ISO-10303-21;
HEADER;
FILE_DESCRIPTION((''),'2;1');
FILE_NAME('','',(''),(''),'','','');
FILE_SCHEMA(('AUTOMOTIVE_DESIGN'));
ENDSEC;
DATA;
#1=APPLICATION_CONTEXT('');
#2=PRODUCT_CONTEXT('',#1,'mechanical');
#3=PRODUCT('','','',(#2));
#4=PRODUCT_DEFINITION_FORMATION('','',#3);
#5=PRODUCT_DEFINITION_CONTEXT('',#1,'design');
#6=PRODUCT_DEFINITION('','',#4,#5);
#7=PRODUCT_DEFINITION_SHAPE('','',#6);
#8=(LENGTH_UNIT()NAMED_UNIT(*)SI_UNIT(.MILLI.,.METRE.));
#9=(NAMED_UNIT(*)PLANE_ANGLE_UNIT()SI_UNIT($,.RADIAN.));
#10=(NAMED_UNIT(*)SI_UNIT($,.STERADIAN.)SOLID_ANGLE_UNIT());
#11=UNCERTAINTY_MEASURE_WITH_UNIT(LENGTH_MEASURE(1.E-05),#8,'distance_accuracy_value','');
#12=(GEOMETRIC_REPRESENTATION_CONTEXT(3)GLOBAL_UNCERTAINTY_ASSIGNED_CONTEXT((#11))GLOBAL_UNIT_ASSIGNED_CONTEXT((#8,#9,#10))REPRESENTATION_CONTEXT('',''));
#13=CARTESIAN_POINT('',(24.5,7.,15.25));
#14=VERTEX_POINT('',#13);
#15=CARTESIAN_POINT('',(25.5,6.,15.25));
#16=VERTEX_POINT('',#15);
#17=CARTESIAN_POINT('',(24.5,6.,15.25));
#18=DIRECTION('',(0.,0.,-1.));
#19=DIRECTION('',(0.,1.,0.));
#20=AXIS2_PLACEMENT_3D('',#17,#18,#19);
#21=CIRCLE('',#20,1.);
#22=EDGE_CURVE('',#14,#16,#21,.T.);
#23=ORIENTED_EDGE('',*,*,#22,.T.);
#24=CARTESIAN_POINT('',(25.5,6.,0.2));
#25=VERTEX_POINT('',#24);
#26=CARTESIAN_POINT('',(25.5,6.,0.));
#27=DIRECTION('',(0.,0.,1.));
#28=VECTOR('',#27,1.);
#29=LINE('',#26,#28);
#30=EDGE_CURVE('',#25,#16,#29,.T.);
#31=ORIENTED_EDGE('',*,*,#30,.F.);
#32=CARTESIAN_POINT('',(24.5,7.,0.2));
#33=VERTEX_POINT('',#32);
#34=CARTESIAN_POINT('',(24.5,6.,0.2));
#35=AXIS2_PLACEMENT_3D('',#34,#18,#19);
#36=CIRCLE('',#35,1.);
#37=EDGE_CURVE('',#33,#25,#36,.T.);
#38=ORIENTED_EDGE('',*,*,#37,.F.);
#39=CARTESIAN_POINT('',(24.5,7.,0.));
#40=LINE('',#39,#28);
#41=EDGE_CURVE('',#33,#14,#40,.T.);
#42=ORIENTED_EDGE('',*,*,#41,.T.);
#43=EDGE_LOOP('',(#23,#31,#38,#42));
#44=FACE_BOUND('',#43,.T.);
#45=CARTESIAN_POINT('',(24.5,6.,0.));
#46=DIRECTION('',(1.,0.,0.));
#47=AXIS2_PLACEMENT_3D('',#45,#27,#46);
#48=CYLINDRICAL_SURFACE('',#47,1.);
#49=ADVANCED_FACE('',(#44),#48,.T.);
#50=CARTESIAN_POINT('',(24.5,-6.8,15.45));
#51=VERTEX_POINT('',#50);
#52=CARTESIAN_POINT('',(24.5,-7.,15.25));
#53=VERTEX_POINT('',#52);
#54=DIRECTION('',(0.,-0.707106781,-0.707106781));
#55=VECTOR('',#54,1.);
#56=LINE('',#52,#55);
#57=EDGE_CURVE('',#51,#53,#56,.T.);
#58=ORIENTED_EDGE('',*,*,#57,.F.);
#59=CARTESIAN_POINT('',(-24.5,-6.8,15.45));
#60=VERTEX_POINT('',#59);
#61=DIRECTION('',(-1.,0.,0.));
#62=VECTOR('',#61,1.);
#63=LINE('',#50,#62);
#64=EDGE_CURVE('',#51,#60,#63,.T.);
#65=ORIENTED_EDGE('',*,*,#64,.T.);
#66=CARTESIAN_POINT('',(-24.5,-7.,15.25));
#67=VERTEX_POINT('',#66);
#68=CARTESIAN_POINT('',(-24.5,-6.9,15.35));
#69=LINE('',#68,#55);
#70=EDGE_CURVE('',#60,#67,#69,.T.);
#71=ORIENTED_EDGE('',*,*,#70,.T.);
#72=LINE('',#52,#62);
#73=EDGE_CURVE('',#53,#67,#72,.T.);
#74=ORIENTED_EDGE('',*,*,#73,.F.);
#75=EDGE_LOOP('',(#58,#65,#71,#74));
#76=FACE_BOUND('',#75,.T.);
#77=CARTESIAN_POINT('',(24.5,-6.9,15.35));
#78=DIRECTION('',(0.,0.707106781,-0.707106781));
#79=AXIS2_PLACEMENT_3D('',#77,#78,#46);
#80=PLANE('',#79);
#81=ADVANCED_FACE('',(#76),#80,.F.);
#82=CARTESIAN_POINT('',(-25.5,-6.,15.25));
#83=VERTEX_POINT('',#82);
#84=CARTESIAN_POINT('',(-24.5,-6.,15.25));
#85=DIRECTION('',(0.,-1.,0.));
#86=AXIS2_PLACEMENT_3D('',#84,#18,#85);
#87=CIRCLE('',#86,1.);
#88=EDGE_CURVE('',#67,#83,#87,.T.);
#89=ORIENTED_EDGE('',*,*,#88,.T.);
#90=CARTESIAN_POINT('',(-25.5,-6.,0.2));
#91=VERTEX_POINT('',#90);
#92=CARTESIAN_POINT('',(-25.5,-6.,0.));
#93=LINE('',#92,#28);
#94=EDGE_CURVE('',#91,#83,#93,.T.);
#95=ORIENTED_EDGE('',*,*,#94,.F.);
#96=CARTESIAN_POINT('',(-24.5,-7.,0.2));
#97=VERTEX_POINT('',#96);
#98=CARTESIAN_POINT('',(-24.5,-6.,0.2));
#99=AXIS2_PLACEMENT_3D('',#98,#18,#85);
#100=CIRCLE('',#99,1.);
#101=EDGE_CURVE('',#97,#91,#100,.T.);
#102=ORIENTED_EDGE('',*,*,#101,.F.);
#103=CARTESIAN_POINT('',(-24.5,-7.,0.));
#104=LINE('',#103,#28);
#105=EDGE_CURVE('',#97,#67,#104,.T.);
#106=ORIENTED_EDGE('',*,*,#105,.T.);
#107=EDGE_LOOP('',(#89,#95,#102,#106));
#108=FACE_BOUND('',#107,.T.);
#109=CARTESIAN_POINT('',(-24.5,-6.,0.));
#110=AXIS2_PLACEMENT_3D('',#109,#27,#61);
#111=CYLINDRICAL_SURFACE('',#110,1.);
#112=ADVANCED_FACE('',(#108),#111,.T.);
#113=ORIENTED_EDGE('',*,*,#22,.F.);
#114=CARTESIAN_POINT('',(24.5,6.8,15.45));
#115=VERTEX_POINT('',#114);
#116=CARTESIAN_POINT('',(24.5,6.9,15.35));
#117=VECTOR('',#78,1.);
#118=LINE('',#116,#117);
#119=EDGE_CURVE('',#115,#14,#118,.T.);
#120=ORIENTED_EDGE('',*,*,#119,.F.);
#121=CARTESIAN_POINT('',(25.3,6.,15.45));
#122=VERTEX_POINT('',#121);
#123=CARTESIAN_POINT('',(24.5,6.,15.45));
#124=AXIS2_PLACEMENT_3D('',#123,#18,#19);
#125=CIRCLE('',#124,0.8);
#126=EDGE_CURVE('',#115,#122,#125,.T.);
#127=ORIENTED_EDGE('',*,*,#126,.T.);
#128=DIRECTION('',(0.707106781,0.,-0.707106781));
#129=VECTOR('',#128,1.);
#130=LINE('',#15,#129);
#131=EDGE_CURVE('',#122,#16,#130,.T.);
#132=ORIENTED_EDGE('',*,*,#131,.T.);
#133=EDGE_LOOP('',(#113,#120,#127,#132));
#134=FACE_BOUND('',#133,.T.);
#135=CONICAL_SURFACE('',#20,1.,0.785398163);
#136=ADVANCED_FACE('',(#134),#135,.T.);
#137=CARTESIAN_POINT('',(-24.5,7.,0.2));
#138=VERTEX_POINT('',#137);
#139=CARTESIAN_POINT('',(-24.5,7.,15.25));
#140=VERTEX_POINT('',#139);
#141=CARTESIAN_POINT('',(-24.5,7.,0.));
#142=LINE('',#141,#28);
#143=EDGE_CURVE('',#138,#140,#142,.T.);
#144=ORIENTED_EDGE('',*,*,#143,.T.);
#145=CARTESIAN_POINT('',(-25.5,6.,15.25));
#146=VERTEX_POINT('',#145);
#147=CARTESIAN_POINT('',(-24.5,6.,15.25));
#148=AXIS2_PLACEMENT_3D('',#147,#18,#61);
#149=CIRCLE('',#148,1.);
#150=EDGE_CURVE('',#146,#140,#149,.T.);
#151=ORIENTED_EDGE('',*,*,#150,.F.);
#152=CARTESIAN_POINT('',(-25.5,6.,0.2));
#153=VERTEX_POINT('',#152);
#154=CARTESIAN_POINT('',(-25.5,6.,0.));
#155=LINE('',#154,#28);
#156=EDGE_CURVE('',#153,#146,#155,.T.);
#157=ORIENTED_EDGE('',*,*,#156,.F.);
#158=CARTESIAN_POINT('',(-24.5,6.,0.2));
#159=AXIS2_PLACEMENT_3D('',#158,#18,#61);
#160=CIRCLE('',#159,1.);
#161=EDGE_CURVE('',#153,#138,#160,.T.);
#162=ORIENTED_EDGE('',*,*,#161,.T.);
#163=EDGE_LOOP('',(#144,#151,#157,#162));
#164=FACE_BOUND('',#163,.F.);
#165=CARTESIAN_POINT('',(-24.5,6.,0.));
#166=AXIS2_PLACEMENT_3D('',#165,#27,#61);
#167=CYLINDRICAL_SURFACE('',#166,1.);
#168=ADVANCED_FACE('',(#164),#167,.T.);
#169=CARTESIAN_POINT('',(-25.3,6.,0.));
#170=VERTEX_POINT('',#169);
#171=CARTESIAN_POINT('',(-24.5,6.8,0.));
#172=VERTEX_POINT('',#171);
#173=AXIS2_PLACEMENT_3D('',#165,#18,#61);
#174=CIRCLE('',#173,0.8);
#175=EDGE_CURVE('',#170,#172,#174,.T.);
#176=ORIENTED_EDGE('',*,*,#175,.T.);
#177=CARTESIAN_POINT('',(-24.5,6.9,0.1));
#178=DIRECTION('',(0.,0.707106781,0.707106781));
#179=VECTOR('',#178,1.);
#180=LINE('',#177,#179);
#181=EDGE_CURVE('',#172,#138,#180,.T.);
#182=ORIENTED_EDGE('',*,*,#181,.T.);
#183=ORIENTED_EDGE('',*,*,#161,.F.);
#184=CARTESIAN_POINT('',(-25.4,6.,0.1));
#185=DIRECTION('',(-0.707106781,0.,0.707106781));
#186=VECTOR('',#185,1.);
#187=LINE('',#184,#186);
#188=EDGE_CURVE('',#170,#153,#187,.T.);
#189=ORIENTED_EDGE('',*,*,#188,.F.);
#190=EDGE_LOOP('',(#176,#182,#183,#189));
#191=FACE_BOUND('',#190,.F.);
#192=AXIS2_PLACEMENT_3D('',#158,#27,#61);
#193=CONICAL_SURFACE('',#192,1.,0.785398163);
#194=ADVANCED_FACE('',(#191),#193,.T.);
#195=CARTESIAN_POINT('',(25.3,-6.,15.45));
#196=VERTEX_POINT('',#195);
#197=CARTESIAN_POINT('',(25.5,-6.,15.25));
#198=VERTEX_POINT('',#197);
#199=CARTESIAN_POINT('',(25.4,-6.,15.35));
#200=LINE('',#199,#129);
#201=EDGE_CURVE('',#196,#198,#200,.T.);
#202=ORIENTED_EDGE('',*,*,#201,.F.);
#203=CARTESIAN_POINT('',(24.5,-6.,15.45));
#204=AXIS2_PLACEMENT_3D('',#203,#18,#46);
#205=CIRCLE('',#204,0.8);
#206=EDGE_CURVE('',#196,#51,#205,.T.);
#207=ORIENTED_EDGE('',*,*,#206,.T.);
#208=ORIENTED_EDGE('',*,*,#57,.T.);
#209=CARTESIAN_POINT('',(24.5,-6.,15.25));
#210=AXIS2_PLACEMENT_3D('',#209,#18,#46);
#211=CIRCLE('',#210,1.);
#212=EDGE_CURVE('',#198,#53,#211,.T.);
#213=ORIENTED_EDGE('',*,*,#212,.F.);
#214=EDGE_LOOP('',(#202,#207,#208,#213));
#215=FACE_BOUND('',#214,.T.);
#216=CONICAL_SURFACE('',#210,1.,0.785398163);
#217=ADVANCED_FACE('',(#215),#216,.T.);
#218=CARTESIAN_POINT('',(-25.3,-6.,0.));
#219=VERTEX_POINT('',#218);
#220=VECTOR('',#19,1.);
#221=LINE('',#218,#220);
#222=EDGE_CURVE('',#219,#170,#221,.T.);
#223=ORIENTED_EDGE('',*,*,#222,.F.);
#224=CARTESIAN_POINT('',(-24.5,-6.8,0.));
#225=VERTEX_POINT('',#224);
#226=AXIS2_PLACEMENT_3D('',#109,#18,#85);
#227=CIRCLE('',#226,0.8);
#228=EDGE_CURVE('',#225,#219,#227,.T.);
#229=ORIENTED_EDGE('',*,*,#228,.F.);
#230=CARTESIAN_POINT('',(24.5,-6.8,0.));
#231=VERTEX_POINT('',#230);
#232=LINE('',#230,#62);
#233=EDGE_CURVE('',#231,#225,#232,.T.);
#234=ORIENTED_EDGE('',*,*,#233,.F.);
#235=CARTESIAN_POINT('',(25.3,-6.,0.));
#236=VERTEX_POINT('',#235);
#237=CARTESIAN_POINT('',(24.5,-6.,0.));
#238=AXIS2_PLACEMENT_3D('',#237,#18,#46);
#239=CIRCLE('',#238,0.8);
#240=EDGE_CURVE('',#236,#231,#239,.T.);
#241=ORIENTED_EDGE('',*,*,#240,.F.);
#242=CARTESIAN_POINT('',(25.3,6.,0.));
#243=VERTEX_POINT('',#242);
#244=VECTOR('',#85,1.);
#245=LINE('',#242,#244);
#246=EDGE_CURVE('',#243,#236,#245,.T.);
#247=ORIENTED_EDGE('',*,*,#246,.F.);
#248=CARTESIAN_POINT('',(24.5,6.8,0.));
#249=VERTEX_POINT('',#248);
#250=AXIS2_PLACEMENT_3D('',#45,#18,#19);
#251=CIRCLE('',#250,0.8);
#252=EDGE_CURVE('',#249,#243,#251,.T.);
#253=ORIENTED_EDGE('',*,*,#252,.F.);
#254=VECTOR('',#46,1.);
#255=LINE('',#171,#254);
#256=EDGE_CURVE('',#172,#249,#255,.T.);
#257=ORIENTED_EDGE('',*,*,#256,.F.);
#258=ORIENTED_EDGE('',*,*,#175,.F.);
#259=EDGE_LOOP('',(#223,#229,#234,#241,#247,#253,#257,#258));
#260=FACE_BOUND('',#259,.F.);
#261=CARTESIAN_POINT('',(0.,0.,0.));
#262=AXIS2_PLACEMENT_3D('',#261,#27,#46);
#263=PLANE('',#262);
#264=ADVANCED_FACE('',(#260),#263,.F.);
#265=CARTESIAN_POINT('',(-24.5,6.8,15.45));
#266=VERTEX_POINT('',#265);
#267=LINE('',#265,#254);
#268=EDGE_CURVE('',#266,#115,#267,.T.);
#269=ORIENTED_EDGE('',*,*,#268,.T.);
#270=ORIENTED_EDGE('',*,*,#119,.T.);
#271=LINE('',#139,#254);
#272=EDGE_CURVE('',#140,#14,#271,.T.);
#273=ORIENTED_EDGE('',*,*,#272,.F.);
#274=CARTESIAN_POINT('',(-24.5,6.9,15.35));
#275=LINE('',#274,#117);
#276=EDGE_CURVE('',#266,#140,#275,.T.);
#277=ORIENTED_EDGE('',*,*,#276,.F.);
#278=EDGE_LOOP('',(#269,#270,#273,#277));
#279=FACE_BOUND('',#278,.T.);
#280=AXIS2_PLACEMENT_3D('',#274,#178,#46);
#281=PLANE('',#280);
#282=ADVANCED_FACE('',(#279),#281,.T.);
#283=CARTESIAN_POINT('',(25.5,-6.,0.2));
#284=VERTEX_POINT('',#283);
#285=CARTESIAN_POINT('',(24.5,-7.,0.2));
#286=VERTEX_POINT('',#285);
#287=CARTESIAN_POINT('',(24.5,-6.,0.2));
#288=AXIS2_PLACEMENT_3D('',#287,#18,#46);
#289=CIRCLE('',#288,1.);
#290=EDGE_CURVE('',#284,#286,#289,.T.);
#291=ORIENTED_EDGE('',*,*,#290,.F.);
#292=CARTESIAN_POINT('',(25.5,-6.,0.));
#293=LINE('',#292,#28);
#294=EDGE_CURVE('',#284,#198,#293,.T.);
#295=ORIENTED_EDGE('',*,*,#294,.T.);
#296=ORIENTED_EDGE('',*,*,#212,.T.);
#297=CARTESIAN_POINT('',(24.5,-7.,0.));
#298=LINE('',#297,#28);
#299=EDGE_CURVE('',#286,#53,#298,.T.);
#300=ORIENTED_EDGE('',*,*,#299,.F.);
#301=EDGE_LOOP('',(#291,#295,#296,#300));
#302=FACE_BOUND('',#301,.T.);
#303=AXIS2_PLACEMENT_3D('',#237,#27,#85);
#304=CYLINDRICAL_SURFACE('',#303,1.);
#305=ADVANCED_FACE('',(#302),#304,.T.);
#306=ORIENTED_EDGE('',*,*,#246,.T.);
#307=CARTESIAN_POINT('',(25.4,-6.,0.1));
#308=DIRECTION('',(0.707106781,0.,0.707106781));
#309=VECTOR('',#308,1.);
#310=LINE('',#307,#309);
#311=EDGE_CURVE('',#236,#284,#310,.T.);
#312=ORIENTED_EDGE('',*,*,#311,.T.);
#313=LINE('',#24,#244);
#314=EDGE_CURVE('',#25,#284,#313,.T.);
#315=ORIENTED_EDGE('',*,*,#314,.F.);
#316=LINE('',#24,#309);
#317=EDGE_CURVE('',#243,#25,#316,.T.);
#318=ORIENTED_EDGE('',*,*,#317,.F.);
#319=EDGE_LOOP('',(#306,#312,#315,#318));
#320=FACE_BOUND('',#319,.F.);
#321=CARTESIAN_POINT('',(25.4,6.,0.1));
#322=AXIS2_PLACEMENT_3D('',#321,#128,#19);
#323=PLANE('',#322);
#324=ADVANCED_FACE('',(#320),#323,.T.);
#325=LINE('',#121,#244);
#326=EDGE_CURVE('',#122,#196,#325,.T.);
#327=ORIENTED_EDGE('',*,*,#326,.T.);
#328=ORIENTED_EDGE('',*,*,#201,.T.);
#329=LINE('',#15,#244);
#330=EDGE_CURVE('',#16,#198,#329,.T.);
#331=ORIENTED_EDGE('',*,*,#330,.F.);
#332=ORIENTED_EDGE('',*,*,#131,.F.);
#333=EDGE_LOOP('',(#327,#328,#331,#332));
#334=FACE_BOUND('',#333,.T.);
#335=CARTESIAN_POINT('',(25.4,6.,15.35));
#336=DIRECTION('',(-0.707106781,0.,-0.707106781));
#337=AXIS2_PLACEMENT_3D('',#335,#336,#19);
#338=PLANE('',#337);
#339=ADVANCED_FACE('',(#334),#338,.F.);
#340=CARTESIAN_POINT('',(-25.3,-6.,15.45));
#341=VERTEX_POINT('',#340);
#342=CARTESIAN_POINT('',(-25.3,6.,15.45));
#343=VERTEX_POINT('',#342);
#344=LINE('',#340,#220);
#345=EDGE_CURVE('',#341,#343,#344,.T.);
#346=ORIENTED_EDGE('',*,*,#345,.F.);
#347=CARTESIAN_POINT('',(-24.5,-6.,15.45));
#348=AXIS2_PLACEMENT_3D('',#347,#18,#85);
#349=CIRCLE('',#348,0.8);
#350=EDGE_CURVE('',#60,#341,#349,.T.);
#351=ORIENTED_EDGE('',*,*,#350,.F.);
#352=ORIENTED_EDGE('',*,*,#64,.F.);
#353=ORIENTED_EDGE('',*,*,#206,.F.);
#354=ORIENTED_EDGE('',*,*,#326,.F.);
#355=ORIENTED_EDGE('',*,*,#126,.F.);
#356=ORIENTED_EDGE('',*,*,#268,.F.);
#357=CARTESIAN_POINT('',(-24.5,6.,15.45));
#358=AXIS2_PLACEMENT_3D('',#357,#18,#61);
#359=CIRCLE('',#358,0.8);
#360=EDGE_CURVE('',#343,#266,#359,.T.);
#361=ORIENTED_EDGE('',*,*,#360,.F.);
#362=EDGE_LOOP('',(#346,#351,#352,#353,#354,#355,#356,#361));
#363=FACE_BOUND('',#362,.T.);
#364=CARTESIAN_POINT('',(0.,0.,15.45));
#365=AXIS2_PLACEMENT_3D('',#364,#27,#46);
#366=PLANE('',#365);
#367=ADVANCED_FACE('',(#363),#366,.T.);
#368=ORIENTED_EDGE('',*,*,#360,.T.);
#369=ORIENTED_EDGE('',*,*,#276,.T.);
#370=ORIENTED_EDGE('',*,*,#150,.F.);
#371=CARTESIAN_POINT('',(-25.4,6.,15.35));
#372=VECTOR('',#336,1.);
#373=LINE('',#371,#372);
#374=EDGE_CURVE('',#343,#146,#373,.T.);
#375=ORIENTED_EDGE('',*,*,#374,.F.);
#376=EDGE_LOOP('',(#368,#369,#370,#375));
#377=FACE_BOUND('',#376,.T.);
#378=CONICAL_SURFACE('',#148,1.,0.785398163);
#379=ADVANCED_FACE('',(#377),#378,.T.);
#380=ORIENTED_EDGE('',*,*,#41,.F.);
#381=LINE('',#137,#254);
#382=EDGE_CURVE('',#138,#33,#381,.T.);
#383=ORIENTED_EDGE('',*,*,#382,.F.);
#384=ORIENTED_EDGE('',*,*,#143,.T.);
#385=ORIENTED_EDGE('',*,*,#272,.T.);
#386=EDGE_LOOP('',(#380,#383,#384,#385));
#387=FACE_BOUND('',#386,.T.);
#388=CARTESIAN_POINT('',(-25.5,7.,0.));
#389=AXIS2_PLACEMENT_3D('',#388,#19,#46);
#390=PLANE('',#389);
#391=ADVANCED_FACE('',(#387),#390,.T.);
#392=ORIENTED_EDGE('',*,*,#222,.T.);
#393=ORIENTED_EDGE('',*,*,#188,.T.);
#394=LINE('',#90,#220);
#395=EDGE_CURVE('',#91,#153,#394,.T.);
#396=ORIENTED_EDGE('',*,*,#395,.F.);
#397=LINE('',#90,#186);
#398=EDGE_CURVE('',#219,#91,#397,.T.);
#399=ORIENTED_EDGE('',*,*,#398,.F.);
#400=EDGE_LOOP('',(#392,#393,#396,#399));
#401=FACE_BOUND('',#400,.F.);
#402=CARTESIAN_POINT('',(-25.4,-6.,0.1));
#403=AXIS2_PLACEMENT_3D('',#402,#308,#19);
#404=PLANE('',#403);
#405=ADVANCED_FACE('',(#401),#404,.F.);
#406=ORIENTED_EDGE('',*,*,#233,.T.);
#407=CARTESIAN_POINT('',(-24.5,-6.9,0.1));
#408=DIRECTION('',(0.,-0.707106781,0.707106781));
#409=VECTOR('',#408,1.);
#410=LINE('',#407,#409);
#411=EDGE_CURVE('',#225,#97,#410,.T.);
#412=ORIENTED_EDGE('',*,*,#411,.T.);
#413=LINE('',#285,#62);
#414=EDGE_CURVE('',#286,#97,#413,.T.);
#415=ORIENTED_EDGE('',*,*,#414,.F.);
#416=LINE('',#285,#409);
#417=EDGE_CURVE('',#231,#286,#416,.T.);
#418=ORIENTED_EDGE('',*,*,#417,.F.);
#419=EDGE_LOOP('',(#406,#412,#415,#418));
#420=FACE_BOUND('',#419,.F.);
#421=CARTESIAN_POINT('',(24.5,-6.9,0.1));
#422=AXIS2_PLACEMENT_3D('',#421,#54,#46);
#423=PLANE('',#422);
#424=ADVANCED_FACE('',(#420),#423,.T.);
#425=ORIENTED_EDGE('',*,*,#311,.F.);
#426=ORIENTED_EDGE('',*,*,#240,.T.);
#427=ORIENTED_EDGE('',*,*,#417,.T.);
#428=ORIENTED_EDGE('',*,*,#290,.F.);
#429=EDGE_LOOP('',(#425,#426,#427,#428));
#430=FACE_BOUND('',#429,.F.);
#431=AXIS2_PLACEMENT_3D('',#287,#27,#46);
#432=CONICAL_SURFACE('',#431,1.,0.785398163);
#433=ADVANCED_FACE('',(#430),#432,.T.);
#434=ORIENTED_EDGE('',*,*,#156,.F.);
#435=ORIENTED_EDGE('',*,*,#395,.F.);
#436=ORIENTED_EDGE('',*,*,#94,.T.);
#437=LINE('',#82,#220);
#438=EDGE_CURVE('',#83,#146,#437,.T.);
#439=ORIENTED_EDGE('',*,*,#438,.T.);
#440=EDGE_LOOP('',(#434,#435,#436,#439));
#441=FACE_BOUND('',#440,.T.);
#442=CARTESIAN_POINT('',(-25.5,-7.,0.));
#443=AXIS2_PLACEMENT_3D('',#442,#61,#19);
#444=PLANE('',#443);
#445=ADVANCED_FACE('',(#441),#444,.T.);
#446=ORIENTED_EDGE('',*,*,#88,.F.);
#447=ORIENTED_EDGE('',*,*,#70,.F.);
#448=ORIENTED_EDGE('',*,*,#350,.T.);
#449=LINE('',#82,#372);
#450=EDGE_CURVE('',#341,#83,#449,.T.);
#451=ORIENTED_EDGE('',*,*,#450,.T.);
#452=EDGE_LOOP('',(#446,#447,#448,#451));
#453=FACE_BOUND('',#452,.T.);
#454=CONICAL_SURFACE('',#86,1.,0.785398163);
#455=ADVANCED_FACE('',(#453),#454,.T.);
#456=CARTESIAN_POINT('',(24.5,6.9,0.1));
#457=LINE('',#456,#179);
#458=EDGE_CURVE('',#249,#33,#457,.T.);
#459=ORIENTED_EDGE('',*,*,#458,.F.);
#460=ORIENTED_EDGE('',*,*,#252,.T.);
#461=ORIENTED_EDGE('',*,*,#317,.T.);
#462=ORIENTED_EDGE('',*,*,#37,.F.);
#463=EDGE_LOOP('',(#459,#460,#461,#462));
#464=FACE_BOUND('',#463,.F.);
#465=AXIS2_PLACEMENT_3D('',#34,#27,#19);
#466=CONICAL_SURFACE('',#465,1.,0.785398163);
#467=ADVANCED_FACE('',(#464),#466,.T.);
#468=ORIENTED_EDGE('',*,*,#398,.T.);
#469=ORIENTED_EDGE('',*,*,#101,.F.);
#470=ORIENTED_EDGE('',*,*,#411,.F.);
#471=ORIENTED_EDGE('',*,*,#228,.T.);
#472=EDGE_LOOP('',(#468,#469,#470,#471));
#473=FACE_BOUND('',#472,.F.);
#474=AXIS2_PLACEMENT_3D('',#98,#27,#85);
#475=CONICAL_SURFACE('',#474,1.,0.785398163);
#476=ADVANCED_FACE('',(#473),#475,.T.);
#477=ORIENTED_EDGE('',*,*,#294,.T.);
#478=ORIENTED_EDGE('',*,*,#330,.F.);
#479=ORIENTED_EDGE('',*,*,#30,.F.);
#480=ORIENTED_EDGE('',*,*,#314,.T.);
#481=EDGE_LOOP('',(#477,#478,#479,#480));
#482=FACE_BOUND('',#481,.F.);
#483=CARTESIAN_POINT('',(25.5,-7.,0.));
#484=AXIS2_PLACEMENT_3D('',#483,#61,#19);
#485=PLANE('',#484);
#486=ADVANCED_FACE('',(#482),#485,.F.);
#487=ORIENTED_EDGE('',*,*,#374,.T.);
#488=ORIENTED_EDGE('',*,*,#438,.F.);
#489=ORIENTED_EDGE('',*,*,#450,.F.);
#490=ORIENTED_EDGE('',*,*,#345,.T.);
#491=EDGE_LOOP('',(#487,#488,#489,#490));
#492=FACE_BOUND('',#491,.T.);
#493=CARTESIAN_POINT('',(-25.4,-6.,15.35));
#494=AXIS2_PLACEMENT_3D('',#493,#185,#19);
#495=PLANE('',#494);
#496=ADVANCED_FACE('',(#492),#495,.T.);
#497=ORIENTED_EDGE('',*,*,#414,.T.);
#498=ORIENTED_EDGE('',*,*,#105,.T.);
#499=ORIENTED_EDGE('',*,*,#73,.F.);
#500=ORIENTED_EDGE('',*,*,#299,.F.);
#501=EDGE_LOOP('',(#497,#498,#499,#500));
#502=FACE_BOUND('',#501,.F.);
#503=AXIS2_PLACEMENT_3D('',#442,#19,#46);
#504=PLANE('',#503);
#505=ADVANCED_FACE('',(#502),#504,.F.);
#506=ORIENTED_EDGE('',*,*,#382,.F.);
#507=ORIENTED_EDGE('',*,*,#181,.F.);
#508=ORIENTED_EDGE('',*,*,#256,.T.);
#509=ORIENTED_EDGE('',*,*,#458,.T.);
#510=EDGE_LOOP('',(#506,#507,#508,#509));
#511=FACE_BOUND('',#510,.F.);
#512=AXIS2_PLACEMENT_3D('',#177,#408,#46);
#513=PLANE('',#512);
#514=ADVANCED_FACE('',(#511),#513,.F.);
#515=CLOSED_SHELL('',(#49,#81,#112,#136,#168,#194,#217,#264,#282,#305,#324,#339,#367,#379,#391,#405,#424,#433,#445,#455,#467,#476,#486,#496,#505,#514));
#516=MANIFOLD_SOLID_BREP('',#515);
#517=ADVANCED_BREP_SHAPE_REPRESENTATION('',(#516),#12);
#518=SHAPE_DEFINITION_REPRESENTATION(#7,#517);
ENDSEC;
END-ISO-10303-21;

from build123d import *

# Parameters (mm, degrees)
F0_W     = 51
F0_H     = 14
F1_DEPTH = 15.45
F2_R     = 1
F3_SIZE  = 0.2


with BuildPart() as f1:
    # F0 (on Top) → F1 (new body)
    with BuildSketch(Plane.XY):
        Rectangle(F0_W, F0_H)
    extrude(amount=F1_DEPTH)

    # F2
    f2_edges = [f1.edges().sort_by_distance(p)[0] for p in [
        (-25.5, -7, 7.725),
        (25.5, -7, 7.725),
        (-25.5, 7, 7.725),
        (25.5, 7, 7.725),
    ]]
    fillet(f2_edges, radius=F2_R)

    # F3
    f3_edges = [f1.edges().sort_by_distance(p)[0] for p in [
        (0, 7, 15.45),
        (25.207107, 6.707107, 15.45),
        (-25.207107, 6.707107, 15.45),
        (25.5, 0, 15.45),
        (-25.5, 0, 15.45),
        (25.207107, -6.707107, 15.45),
        (-25.207107, -6.707107, 15.45),
        (0, -7, 15.45),
        (0, 7, 0),
        (25.207107, 6.707107, 0),
        (-25.207107, 6.707107, 0),
        (25.5, 0, 0),
        (-25.5, 0, 0),
        (25.207107, -6.707107, 0),
        (-25.207107, -6.707107, 0),
        (0, -7, 0),
    ]]
    chamfer(f3_edges, length=F3_SIZE)


solid = f1.part
